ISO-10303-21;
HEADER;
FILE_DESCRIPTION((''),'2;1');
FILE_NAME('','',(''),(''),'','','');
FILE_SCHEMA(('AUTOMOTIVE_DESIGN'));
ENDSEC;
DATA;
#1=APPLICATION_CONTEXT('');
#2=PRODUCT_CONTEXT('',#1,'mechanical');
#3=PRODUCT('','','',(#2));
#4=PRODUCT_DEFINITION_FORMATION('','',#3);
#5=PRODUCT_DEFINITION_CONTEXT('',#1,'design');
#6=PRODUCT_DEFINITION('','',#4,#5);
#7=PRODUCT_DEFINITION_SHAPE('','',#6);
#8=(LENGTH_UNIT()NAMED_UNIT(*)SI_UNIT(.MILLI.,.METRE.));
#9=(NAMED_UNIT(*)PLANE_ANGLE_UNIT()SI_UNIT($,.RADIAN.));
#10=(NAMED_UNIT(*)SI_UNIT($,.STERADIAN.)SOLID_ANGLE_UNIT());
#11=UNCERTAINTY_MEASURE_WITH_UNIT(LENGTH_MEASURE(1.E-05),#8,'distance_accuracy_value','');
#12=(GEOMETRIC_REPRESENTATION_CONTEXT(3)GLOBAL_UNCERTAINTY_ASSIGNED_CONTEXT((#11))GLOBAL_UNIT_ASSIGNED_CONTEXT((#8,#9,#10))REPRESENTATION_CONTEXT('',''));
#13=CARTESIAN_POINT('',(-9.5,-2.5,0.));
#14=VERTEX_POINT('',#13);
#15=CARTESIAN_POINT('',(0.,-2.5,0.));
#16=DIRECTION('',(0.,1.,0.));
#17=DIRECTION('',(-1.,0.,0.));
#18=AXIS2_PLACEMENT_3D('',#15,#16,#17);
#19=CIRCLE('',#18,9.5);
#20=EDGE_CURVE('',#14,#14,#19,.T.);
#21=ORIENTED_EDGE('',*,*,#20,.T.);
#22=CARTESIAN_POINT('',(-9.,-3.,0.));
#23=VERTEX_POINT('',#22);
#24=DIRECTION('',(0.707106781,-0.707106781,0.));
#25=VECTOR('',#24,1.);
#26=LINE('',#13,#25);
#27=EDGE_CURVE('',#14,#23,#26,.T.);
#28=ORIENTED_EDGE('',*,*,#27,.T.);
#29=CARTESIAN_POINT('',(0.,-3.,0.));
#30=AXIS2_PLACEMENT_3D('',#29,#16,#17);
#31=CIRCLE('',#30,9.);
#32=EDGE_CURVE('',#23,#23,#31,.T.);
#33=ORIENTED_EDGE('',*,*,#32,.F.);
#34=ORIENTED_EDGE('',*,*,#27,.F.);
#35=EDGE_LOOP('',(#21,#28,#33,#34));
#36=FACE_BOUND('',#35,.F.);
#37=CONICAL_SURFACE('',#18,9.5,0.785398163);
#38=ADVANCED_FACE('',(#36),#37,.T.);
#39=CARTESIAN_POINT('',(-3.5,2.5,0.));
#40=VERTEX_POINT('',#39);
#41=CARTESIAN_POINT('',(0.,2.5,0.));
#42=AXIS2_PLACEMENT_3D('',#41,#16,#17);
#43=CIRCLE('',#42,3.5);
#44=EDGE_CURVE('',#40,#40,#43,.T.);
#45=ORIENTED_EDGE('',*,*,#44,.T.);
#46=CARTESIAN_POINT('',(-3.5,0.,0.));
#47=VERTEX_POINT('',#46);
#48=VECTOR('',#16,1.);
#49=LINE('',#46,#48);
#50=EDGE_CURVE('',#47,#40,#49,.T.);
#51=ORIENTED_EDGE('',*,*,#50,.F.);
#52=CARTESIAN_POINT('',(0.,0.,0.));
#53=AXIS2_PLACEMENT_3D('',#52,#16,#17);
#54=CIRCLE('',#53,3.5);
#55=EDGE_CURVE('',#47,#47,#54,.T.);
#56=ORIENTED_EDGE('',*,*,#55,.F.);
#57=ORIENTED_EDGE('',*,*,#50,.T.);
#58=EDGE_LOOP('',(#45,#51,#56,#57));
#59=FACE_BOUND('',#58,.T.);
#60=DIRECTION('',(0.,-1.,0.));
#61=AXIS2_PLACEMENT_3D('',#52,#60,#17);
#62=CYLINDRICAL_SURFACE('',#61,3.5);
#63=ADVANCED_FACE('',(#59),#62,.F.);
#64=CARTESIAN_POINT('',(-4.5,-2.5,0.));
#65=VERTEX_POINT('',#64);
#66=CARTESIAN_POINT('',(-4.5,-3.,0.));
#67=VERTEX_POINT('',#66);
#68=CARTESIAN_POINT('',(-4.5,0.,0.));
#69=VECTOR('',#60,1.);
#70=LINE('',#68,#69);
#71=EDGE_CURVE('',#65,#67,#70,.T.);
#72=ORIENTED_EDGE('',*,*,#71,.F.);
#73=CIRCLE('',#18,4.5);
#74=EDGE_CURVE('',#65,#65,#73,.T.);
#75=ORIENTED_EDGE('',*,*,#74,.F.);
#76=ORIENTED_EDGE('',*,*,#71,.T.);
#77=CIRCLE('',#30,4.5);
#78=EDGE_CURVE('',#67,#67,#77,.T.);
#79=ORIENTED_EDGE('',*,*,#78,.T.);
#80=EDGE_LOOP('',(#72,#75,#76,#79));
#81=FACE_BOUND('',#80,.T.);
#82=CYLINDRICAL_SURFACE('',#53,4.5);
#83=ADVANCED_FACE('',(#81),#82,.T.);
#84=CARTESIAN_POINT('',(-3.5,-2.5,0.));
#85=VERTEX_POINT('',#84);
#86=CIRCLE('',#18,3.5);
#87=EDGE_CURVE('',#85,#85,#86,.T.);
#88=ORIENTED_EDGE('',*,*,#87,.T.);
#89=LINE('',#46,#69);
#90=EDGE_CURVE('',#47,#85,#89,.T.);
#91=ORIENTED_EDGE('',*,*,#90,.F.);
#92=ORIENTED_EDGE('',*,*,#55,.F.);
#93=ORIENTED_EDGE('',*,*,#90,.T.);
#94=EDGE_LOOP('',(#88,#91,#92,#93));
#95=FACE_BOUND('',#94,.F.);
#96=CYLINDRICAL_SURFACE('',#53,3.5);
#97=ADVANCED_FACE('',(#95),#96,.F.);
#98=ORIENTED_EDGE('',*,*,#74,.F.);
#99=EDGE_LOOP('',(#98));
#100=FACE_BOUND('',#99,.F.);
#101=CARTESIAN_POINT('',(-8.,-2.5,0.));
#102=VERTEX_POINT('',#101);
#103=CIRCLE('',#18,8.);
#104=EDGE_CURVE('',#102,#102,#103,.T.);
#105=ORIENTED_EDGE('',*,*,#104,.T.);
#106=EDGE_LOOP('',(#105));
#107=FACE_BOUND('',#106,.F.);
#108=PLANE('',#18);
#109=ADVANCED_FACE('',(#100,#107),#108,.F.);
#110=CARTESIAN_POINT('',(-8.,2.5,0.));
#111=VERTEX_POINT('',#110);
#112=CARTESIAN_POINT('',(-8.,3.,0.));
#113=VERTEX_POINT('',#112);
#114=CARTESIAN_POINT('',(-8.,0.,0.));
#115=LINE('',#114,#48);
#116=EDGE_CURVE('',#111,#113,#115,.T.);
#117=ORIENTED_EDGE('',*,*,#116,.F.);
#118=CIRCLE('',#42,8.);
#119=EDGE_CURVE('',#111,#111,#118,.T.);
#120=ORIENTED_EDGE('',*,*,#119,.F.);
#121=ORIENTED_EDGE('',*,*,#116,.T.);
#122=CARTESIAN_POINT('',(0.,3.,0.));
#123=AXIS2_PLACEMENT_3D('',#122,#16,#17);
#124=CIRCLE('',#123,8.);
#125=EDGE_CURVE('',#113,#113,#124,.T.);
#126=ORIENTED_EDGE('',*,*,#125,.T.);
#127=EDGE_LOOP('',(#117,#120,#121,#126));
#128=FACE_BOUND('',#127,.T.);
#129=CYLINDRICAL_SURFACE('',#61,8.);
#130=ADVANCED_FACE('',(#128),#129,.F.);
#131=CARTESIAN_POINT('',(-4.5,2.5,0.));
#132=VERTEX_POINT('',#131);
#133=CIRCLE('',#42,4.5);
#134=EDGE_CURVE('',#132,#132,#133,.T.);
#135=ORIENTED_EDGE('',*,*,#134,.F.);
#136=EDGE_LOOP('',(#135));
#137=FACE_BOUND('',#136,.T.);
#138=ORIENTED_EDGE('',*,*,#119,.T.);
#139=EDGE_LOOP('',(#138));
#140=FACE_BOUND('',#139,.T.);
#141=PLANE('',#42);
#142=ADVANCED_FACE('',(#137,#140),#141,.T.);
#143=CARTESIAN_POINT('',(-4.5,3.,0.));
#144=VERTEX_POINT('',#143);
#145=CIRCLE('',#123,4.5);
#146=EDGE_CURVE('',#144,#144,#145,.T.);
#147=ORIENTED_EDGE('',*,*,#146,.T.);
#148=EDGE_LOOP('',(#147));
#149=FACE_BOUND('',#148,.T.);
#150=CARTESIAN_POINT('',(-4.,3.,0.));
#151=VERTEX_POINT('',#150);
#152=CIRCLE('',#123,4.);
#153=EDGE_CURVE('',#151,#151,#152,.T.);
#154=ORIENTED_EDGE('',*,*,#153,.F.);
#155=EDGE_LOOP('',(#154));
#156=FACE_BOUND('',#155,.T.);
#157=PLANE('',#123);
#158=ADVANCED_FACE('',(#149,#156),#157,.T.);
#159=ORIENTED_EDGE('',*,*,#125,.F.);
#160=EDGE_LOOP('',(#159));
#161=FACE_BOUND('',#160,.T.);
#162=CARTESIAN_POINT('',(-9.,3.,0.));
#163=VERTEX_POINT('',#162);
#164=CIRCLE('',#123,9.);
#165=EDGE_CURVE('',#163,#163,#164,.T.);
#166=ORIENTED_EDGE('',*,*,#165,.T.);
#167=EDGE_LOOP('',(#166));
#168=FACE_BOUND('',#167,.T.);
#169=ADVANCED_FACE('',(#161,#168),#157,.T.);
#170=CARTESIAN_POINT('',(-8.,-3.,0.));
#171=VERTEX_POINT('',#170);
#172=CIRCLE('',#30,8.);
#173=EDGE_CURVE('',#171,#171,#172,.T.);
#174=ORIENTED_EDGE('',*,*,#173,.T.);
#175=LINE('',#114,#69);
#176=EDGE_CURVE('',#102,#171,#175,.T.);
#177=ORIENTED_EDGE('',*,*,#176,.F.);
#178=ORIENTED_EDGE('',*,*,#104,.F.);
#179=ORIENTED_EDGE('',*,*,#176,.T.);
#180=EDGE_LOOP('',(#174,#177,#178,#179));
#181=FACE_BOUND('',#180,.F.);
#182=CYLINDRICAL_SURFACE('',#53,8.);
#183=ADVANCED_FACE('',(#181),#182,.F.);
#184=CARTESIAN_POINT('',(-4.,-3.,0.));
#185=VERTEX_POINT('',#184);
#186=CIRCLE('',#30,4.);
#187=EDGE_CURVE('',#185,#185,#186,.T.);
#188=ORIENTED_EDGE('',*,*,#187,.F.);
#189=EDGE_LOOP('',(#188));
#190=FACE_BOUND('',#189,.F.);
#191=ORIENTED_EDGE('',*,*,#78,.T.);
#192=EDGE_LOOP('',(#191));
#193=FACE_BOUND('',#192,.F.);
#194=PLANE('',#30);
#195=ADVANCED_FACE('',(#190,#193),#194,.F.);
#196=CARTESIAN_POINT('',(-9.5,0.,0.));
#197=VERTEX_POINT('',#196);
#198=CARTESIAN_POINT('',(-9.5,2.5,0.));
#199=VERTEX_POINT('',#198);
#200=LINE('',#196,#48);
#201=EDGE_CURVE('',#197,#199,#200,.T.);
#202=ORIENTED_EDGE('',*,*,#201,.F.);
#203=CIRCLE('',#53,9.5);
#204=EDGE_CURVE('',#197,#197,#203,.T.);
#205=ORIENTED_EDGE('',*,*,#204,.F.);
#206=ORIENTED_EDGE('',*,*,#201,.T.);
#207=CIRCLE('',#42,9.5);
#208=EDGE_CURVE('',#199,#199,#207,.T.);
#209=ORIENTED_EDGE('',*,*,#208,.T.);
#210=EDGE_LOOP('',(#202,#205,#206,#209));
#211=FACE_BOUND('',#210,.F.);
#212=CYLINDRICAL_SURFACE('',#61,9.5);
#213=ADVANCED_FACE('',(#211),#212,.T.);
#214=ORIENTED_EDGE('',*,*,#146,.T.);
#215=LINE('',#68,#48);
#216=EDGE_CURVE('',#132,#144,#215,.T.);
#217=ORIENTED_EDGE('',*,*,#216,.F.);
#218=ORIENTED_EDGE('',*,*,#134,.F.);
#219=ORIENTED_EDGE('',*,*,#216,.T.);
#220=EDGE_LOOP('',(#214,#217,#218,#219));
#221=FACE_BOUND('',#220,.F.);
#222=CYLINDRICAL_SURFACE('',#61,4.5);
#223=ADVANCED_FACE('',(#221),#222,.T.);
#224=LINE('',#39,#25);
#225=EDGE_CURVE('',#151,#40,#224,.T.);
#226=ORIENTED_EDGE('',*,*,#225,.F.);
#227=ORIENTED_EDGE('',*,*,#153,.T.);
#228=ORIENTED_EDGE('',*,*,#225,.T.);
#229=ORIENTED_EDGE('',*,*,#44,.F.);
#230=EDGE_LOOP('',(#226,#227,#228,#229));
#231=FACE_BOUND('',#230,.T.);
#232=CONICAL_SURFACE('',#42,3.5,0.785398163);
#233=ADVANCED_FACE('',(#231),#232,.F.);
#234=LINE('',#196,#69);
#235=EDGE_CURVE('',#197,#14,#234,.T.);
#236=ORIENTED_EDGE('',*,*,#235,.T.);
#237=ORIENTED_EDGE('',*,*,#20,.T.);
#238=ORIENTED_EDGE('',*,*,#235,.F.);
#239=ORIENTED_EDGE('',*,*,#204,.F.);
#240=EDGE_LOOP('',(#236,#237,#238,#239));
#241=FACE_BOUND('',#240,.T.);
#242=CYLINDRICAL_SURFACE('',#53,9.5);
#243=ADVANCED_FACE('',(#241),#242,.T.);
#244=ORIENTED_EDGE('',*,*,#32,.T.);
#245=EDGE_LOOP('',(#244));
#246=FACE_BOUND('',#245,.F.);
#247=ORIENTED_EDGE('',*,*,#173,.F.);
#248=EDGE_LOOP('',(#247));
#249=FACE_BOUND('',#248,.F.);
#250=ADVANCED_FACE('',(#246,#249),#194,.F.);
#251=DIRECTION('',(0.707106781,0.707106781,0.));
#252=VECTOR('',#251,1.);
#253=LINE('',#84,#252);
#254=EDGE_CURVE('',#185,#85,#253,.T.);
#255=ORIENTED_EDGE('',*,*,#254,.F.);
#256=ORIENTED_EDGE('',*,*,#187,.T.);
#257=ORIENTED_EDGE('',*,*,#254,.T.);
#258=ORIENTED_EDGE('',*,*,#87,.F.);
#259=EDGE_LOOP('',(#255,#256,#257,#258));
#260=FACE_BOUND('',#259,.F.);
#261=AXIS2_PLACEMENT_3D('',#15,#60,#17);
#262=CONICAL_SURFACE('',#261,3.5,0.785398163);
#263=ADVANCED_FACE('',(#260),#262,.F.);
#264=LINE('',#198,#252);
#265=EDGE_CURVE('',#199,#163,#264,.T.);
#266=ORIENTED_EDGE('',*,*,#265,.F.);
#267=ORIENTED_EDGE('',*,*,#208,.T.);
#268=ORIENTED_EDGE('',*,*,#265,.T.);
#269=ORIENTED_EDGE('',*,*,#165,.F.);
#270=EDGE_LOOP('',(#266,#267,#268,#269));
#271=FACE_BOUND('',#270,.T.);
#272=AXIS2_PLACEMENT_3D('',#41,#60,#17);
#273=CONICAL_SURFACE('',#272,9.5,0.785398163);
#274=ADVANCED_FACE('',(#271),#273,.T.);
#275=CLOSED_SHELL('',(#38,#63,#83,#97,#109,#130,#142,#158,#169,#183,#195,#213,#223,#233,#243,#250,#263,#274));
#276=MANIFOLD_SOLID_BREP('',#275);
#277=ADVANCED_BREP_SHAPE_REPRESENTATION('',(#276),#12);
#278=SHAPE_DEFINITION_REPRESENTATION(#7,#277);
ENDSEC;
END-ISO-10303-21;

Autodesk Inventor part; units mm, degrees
ref_plane "YZ Plane" through (0, 0, 0) normal (1, 0, 0) x (0, 1, 0)
ref_plane "XZ Plane" through (0, 0, 0) normal (0, 1, 0) x (-1, 0, 0)
ref_plane "XY Plane" through (0, 0, 0) normal (0, 0, 1) x (1, 0, 0)
sketch "Эскиз1" plane through (0, 0, 0) normal (0, 1, 0) x (-1, 0, 0)
  circle A0 centre (0, 0) radius 9.5
  circle A1 centre (0, 0) radius 3.5
  circle A2 centre (0, 0) radius 8
  circle A3 centre (0, 0) radius 4.5
  dimension "d0" = 19
  dimension "d3" = 7
  dimension "d4" = 1.5
  dimension "d5" = 1
extrude "Выдавливание1" add sketch "Эскиз1" along normal mid plane 6
extrude "Выдавливание2" add sketch "Эскиз1" along normal mid plane 5 contours A2
chamfer "Фаска1" distance 0.5 angle 45 4 edges at (9.5, -3, 0) (9.5, 3, 0) (3.5, -3, 0) (3.5, 3, 0)
equation "\"d0\" = bearing_outer"
equation "\"d3\" = bearing_inner"
equation "\"d6\" = bearing_width"
equation "\"blade_radius\" = 127"
equation "\"bearing_inner\" = 7"
equation "\"bearing_outer\" = 19"
equation "\"bearing_width\" = 6"
equation "\"beam_length\" = 254"
equation "\"motor_height\" = 24"
equation "\"motor_diameter\" = 28"
equation "\"motor_blade_offset\" = 2"
equation "\"M4_nut_lock_width\" = 6.8"
equation "\"M4_screw_innerHex_cap_diam\" = 6.6"
equation "\"M4_screw_innerHex_cap_height\" = 4"
equation "\"M4_nut_lock_height\" = 5"
properties part number "Подшипник" material "Сталь, высокопрочная, низколегированная"
